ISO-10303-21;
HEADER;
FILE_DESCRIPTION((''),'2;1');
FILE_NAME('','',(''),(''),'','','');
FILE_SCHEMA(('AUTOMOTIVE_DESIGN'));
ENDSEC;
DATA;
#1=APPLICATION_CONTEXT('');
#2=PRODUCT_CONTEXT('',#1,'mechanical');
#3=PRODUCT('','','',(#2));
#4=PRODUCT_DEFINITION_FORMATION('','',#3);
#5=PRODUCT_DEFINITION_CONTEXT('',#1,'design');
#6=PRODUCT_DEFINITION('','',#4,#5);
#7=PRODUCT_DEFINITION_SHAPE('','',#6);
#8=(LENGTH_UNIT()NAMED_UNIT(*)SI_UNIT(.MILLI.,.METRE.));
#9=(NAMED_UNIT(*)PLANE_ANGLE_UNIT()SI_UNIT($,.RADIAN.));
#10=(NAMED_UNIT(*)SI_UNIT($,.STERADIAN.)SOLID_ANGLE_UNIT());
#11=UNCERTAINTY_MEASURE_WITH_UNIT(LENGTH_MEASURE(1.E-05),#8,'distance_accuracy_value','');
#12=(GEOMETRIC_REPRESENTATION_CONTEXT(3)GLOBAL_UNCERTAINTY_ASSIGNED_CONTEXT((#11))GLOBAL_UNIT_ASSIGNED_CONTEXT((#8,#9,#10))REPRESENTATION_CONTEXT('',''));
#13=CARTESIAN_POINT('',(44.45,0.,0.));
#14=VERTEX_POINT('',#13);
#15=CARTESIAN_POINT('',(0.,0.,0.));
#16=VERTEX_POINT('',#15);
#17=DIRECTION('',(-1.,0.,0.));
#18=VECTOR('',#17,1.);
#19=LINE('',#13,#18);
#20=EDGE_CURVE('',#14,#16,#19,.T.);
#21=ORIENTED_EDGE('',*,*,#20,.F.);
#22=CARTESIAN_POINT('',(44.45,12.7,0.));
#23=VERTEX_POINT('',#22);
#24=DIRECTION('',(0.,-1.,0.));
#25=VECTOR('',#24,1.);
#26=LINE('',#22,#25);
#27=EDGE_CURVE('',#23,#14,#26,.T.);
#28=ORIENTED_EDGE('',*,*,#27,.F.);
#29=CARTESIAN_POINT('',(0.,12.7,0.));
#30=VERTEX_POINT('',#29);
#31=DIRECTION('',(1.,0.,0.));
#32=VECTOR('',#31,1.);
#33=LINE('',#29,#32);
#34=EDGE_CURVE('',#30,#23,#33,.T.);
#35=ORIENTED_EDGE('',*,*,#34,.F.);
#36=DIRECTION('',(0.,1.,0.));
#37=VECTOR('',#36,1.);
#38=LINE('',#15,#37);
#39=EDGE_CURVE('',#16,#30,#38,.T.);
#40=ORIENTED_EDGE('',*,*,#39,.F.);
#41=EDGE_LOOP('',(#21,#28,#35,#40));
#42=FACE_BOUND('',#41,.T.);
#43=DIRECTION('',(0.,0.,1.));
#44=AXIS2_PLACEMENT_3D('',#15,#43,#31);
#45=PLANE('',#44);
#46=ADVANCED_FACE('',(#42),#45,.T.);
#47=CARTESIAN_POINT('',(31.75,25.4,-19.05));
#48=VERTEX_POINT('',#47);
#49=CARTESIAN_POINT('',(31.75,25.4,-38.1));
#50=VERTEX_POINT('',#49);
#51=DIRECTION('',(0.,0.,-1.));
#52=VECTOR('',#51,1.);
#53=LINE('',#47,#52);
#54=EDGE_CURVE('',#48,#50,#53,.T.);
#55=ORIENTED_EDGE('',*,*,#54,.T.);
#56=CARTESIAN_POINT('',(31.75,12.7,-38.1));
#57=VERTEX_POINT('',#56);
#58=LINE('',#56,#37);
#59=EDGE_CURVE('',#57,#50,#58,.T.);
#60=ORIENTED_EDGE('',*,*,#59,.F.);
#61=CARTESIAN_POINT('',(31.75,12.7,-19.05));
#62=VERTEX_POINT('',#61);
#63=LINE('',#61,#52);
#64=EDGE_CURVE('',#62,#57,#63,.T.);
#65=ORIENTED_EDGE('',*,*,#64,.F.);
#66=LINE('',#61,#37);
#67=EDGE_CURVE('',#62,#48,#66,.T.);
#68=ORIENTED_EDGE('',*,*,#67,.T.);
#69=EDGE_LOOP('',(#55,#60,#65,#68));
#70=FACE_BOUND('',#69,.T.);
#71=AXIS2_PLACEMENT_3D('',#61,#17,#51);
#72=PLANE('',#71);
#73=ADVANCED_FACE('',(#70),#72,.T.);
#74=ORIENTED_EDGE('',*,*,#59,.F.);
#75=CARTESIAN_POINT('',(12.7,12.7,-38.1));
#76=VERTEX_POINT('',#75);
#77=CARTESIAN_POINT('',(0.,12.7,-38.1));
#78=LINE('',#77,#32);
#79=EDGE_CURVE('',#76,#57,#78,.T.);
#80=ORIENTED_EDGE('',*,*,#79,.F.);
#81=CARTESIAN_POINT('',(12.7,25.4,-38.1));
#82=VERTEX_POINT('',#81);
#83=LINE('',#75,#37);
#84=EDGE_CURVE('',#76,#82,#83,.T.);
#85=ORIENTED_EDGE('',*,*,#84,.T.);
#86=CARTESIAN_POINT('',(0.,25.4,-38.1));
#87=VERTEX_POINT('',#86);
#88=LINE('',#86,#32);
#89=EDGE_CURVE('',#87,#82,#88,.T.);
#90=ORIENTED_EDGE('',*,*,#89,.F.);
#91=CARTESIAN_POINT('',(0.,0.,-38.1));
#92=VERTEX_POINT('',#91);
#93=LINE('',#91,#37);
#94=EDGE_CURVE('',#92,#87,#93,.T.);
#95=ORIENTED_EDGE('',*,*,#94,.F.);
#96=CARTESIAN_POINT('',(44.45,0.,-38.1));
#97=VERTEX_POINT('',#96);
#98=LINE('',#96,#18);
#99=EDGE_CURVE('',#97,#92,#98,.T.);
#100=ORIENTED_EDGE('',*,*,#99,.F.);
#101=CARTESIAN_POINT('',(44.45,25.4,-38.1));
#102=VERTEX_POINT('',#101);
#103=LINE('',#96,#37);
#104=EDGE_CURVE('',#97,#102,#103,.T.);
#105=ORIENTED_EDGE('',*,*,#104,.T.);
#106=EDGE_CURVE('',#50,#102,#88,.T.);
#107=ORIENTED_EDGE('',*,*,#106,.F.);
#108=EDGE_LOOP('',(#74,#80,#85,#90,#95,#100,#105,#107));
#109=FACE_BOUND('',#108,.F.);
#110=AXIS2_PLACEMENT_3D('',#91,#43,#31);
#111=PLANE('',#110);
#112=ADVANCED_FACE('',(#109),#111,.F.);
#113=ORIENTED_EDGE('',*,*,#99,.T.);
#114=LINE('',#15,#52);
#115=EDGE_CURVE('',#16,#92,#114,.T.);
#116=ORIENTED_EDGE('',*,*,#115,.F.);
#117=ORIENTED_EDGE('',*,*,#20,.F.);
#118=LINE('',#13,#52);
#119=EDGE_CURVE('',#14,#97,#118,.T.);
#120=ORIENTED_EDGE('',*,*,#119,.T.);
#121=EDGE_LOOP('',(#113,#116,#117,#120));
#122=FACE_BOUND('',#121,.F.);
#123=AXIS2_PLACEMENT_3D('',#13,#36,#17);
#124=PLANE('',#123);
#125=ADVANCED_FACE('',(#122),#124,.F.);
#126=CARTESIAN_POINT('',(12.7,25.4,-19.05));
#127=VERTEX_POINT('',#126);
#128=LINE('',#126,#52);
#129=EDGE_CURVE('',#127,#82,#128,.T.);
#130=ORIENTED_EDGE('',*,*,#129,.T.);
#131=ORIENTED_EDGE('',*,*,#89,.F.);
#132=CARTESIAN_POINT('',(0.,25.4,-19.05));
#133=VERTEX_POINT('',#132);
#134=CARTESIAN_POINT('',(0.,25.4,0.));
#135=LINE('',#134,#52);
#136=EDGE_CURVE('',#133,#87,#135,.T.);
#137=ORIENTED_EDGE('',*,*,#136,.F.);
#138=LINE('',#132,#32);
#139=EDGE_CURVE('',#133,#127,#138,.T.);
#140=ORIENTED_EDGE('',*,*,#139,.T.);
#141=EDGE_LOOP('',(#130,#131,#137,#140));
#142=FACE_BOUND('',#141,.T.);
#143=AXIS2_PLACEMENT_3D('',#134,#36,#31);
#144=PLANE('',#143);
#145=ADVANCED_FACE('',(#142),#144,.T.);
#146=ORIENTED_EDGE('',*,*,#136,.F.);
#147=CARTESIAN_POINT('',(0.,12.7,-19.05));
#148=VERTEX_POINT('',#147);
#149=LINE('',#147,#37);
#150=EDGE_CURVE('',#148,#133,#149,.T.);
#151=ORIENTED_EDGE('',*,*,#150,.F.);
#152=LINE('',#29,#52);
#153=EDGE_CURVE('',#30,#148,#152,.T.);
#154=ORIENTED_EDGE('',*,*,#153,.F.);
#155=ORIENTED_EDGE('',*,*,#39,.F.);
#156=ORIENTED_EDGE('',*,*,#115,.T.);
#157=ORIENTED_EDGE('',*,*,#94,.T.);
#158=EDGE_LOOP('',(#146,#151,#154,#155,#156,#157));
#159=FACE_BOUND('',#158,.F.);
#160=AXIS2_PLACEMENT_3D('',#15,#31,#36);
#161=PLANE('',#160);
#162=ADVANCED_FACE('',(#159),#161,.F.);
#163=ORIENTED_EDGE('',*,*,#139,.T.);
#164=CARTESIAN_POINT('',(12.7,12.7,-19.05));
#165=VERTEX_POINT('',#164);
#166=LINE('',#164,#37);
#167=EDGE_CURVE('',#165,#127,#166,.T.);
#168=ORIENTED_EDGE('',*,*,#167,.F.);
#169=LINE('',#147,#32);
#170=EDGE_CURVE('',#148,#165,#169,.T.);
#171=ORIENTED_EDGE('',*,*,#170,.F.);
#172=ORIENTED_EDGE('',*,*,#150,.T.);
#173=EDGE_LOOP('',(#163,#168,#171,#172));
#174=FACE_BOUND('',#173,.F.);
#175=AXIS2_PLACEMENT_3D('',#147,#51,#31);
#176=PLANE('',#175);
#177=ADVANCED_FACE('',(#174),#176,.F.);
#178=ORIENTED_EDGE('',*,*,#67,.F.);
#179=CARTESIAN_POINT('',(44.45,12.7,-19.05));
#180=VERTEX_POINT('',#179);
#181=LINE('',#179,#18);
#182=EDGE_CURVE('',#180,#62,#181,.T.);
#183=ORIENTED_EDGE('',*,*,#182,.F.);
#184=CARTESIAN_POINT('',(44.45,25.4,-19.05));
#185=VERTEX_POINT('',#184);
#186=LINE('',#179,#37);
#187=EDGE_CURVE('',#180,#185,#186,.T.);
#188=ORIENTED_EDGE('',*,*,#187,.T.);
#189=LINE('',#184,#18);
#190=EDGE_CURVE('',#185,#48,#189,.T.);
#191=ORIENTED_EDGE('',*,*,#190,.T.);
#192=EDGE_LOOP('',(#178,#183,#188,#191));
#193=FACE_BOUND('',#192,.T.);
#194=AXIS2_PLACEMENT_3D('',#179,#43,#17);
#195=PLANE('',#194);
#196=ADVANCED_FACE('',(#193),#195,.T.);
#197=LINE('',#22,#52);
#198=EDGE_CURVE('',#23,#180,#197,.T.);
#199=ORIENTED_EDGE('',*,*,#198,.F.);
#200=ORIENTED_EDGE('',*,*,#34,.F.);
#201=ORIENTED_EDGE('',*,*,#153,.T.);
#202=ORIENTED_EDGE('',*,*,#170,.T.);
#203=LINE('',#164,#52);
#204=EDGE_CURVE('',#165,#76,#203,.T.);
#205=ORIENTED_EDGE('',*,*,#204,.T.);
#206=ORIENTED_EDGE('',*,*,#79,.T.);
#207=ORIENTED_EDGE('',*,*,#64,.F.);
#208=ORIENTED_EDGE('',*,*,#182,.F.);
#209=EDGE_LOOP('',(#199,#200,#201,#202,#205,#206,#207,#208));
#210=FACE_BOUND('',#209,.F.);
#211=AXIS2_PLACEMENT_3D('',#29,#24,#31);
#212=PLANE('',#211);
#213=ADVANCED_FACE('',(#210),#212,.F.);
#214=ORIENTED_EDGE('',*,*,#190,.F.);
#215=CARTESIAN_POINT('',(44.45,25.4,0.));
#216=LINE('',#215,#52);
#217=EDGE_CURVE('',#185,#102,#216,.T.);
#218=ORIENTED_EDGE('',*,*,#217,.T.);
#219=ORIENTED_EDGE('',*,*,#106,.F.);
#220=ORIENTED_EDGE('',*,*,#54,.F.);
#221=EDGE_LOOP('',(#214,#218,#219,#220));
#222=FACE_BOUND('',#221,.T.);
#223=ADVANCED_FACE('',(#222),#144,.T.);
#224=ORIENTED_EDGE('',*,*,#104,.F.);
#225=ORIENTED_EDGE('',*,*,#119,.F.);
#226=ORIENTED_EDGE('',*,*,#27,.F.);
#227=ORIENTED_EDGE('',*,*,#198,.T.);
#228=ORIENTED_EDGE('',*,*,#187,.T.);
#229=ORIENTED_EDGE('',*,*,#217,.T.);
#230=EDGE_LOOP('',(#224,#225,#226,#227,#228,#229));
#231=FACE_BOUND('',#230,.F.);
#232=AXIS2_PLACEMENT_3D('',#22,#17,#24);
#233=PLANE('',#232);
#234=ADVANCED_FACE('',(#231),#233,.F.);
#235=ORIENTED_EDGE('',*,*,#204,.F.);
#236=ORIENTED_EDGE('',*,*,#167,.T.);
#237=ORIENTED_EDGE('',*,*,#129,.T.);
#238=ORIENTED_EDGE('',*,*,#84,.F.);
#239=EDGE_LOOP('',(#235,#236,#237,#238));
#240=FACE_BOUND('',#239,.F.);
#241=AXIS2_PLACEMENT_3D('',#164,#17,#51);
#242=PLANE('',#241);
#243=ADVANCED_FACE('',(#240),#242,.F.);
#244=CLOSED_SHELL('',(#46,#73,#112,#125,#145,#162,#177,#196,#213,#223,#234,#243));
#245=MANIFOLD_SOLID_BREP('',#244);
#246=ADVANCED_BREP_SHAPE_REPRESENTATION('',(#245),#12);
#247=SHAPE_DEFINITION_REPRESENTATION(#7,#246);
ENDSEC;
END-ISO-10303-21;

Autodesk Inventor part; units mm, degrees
ref_plane "YZ Plane" through (0, 0, 0) normal (1, 0, 0) x (0, 1, 0)
ref_plane "XZ Plane" through (0, 0, 0) normal (0, 1, 0) x (-1, 0, 0)
ref_plane "XY Plane" through (0, 0, 0) normal (0, 0, 1) x (1, 0, 0)
sketch "Sketch1" plane through (0, 0, 0) normal (0, 0, 1) x (1, 0, 0)
  line L0 (0, 12.7) -> (44.45, 12.7)
  line L1 (44.45, 12.7) -> (44.45, 0)
  line L2 (44.45, 0) -> (0, 0)
  line L3 (0, 0) -> (0, 12.7)
  dimension "d0" = 44.45
  dimension "d1" = 12.7
extrude "Extrusion1" add sketch "Sketch1" against normal blind 38.1
sketch "Sketch2" plane through (0, 12.7, 0) normal (0, 1, 0) x (1, 0, 0)
  line L0 (0, 0) -> (0, 38.1) projected
  line L1 (0, 38.1) -> (44.45, 38.1) projected
  line L2 (0, 19.05) -> (12.7, 19.05)
  line L3 (12.7, 19.05) -> (12.7, 38.1)
  line L4 (12.7, 38.1) -> (0, 38.1)
  line L5 (0, 38.1) -> (0, 19.05)
  line L6 (44.45, 0) -> (44.45, 38.1) projected
  line L7 (31.75, 38.1) -> (44.45, 38.1)
  line L8 (44.45, 38.1) -> (44.45, 19.05)
  line L9 (44.45, 19.05) -> (31.75, 19.05)
  line L10 (31.75, 19.05) -> (31.75, 38.1)
  dimension "d4" = 12.7
  dimension "d5" = 19.05
  dimension "d6" = 19.05
  dimension "d7" = 12.7
extrude "Extrusion2" add sketch "Sketch2" along normal blind 12.7
properties part number "A2.6_Titus_SktechSheetA4"
